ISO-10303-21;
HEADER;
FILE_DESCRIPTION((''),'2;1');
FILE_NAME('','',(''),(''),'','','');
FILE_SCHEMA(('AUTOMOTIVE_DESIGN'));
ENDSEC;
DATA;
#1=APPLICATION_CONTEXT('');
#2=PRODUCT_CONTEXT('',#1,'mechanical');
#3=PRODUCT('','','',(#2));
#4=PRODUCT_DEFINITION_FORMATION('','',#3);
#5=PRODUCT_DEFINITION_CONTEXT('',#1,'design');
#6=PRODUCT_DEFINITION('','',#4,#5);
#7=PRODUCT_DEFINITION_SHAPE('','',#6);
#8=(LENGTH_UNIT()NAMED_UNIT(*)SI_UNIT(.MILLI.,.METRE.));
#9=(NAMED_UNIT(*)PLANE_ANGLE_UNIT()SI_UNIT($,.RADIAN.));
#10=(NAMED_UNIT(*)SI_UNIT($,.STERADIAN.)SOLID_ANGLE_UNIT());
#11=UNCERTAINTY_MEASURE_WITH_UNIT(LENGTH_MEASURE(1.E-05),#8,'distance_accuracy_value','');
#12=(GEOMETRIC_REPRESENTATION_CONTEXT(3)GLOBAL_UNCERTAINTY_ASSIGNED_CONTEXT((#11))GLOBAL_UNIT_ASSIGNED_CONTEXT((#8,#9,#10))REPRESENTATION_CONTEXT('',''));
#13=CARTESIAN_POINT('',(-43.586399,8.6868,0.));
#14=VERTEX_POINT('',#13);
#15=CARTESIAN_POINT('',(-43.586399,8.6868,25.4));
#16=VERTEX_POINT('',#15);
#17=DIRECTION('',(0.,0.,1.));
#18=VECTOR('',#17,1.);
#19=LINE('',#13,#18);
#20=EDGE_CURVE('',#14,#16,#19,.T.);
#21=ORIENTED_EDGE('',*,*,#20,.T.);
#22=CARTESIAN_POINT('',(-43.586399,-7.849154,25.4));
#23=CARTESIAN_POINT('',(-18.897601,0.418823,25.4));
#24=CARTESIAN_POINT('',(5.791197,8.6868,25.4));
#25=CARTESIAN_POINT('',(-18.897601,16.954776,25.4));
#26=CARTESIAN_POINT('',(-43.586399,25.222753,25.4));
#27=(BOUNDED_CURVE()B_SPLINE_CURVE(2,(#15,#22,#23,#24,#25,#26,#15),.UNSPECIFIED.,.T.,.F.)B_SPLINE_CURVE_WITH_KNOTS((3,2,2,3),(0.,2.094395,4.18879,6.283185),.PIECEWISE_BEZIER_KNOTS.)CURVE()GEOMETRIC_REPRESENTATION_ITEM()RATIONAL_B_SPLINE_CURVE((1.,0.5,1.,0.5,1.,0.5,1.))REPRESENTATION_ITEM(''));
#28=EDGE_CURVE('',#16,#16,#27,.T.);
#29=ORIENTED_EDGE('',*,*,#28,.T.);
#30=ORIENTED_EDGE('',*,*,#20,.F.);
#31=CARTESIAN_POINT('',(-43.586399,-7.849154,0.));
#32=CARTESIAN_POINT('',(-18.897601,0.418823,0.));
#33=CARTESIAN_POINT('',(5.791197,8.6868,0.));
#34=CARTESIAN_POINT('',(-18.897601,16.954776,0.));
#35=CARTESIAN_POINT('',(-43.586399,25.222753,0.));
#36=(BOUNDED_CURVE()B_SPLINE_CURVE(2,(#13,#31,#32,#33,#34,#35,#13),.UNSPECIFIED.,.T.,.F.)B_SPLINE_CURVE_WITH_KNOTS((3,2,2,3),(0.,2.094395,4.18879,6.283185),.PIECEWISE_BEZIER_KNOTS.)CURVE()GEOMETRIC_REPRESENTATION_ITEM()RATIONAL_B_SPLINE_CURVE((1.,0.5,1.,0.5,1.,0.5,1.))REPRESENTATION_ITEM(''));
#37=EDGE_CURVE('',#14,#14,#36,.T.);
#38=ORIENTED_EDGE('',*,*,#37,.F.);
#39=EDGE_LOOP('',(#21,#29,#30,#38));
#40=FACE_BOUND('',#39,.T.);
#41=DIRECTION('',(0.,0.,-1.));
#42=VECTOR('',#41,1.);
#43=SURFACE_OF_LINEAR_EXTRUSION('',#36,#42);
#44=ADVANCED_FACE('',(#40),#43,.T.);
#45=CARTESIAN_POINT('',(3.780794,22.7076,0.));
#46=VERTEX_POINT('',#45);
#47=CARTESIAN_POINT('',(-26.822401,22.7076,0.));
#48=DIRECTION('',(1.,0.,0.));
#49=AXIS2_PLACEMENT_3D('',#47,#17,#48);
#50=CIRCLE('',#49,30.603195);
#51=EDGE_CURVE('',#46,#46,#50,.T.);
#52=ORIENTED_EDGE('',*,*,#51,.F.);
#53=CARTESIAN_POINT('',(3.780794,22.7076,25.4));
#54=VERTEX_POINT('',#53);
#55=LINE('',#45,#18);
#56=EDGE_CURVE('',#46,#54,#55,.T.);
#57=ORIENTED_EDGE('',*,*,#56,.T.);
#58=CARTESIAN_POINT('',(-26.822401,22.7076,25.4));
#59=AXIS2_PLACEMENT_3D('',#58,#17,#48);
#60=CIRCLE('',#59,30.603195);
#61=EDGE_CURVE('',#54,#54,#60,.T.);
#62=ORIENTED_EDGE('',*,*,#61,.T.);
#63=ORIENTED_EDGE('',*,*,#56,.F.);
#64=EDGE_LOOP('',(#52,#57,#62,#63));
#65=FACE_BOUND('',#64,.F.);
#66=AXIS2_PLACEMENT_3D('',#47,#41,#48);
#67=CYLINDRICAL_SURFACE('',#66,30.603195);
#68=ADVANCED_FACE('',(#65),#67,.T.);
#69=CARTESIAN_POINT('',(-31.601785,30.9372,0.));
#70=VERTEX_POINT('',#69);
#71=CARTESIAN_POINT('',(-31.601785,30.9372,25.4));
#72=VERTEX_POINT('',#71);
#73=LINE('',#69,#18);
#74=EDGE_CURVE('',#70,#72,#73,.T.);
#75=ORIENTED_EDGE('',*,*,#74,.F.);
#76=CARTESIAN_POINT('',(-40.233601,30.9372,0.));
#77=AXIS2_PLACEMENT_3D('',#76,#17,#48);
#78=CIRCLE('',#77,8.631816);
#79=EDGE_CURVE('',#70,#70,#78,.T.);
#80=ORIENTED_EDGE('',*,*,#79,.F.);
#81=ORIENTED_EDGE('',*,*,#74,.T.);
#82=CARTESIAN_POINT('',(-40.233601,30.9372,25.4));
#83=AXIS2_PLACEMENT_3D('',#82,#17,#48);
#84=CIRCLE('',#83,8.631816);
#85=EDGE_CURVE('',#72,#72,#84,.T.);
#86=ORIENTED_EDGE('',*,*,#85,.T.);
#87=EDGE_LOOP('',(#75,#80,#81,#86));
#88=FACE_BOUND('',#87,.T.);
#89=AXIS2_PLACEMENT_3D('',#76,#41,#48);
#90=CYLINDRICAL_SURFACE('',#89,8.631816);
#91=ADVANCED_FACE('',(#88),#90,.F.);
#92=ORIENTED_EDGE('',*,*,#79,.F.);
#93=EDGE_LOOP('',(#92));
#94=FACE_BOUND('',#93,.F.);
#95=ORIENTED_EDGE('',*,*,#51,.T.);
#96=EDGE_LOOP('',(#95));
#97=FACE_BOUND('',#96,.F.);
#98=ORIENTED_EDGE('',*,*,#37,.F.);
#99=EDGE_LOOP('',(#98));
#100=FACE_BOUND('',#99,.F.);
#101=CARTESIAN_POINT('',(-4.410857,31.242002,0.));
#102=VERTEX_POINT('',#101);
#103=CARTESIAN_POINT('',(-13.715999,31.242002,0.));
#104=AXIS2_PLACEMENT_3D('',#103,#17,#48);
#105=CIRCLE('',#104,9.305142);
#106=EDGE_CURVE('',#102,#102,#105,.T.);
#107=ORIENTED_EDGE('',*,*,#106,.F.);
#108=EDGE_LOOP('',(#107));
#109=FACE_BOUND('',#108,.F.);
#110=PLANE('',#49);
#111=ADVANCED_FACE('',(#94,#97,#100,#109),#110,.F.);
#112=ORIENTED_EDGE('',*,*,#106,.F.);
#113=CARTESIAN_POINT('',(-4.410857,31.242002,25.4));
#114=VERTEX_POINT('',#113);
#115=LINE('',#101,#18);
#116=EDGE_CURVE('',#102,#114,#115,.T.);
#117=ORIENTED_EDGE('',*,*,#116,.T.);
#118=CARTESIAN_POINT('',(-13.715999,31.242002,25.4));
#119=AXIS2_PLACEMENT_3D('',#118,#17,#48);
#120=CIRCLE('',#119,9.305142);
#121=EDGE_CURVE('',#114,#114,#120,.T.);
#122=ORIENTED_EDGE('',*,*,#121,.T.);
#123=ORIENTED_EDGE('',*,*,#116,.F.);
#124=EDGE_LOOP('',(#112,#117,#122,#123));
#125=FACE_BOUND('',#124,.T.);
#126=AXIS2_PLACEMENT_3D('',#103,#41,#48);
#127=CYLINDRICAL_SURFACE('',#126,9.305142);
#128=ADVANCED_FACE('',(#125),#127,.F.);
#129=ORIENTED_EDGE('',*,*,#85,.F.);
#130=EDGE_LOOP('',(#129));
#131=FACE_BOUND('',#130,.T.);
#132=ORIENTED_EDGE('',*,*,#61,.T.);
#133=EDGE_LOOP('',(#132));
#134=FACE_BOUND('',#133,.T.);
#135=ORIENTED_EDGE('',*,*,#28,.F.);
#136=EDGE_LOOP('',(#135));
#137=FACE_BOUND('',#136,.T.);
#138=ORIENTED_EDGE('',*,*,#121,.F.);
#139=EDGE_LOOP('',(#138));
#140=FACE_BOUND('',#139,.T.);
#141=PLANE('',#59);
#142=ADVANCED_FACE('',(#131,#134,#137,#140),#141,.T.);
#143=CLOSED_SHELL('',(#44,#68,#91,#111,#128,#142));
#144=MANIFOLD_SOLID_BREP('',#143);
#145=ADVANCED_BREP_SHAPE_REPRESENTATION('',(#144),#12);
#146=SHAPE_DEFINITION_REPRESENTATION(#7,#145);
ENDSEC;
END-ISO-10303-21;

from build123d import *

# Parameters (mm, degrees)
F0_R     = 30.603195
F0_R_2   = 8.631816
F0_R_3   = 9.305142
F1_DEPTH = 25.4


with BuildPart() as f1:
    # F0 (on Top) → F1 (new body)
    with BuildSketch(Plane.XY):
        with Locations((-26.822401, 22.7076)):
            Circle(F0_R)
        with BuildLine():
            add(Edge.make_bspline(
                [(-43.586399, 8.6868), (-43.586399, -7.849154), (-18.897601, 0.418823), (5.791197, 8.6868), (-18.897601, 16.954776), (-43.586399, 25.222753), (-43.586399, 8.6868)],
                knots=[0, 0, 0, 2.094395, 2.094395, 4.18879, 4.18879, 6.283185, 6.283185, 6.283185], degree=2, weights=[1, 0.5, 1, 0.5, 1, 0.5, 1]))
        make_face(mode=Mode.SUBTRACT)
        with Locations((-40.233601, 30.9372)):
            Circle(F0_R_2, mode=Mode.SUBTRACT)
        with Locations((-13.715999, 31.242002)):
            Circle(F0_R_3, mode=Mode.SUBTRACT)
    extrude(amount=F1_DEPTH)


solid = f1.part
